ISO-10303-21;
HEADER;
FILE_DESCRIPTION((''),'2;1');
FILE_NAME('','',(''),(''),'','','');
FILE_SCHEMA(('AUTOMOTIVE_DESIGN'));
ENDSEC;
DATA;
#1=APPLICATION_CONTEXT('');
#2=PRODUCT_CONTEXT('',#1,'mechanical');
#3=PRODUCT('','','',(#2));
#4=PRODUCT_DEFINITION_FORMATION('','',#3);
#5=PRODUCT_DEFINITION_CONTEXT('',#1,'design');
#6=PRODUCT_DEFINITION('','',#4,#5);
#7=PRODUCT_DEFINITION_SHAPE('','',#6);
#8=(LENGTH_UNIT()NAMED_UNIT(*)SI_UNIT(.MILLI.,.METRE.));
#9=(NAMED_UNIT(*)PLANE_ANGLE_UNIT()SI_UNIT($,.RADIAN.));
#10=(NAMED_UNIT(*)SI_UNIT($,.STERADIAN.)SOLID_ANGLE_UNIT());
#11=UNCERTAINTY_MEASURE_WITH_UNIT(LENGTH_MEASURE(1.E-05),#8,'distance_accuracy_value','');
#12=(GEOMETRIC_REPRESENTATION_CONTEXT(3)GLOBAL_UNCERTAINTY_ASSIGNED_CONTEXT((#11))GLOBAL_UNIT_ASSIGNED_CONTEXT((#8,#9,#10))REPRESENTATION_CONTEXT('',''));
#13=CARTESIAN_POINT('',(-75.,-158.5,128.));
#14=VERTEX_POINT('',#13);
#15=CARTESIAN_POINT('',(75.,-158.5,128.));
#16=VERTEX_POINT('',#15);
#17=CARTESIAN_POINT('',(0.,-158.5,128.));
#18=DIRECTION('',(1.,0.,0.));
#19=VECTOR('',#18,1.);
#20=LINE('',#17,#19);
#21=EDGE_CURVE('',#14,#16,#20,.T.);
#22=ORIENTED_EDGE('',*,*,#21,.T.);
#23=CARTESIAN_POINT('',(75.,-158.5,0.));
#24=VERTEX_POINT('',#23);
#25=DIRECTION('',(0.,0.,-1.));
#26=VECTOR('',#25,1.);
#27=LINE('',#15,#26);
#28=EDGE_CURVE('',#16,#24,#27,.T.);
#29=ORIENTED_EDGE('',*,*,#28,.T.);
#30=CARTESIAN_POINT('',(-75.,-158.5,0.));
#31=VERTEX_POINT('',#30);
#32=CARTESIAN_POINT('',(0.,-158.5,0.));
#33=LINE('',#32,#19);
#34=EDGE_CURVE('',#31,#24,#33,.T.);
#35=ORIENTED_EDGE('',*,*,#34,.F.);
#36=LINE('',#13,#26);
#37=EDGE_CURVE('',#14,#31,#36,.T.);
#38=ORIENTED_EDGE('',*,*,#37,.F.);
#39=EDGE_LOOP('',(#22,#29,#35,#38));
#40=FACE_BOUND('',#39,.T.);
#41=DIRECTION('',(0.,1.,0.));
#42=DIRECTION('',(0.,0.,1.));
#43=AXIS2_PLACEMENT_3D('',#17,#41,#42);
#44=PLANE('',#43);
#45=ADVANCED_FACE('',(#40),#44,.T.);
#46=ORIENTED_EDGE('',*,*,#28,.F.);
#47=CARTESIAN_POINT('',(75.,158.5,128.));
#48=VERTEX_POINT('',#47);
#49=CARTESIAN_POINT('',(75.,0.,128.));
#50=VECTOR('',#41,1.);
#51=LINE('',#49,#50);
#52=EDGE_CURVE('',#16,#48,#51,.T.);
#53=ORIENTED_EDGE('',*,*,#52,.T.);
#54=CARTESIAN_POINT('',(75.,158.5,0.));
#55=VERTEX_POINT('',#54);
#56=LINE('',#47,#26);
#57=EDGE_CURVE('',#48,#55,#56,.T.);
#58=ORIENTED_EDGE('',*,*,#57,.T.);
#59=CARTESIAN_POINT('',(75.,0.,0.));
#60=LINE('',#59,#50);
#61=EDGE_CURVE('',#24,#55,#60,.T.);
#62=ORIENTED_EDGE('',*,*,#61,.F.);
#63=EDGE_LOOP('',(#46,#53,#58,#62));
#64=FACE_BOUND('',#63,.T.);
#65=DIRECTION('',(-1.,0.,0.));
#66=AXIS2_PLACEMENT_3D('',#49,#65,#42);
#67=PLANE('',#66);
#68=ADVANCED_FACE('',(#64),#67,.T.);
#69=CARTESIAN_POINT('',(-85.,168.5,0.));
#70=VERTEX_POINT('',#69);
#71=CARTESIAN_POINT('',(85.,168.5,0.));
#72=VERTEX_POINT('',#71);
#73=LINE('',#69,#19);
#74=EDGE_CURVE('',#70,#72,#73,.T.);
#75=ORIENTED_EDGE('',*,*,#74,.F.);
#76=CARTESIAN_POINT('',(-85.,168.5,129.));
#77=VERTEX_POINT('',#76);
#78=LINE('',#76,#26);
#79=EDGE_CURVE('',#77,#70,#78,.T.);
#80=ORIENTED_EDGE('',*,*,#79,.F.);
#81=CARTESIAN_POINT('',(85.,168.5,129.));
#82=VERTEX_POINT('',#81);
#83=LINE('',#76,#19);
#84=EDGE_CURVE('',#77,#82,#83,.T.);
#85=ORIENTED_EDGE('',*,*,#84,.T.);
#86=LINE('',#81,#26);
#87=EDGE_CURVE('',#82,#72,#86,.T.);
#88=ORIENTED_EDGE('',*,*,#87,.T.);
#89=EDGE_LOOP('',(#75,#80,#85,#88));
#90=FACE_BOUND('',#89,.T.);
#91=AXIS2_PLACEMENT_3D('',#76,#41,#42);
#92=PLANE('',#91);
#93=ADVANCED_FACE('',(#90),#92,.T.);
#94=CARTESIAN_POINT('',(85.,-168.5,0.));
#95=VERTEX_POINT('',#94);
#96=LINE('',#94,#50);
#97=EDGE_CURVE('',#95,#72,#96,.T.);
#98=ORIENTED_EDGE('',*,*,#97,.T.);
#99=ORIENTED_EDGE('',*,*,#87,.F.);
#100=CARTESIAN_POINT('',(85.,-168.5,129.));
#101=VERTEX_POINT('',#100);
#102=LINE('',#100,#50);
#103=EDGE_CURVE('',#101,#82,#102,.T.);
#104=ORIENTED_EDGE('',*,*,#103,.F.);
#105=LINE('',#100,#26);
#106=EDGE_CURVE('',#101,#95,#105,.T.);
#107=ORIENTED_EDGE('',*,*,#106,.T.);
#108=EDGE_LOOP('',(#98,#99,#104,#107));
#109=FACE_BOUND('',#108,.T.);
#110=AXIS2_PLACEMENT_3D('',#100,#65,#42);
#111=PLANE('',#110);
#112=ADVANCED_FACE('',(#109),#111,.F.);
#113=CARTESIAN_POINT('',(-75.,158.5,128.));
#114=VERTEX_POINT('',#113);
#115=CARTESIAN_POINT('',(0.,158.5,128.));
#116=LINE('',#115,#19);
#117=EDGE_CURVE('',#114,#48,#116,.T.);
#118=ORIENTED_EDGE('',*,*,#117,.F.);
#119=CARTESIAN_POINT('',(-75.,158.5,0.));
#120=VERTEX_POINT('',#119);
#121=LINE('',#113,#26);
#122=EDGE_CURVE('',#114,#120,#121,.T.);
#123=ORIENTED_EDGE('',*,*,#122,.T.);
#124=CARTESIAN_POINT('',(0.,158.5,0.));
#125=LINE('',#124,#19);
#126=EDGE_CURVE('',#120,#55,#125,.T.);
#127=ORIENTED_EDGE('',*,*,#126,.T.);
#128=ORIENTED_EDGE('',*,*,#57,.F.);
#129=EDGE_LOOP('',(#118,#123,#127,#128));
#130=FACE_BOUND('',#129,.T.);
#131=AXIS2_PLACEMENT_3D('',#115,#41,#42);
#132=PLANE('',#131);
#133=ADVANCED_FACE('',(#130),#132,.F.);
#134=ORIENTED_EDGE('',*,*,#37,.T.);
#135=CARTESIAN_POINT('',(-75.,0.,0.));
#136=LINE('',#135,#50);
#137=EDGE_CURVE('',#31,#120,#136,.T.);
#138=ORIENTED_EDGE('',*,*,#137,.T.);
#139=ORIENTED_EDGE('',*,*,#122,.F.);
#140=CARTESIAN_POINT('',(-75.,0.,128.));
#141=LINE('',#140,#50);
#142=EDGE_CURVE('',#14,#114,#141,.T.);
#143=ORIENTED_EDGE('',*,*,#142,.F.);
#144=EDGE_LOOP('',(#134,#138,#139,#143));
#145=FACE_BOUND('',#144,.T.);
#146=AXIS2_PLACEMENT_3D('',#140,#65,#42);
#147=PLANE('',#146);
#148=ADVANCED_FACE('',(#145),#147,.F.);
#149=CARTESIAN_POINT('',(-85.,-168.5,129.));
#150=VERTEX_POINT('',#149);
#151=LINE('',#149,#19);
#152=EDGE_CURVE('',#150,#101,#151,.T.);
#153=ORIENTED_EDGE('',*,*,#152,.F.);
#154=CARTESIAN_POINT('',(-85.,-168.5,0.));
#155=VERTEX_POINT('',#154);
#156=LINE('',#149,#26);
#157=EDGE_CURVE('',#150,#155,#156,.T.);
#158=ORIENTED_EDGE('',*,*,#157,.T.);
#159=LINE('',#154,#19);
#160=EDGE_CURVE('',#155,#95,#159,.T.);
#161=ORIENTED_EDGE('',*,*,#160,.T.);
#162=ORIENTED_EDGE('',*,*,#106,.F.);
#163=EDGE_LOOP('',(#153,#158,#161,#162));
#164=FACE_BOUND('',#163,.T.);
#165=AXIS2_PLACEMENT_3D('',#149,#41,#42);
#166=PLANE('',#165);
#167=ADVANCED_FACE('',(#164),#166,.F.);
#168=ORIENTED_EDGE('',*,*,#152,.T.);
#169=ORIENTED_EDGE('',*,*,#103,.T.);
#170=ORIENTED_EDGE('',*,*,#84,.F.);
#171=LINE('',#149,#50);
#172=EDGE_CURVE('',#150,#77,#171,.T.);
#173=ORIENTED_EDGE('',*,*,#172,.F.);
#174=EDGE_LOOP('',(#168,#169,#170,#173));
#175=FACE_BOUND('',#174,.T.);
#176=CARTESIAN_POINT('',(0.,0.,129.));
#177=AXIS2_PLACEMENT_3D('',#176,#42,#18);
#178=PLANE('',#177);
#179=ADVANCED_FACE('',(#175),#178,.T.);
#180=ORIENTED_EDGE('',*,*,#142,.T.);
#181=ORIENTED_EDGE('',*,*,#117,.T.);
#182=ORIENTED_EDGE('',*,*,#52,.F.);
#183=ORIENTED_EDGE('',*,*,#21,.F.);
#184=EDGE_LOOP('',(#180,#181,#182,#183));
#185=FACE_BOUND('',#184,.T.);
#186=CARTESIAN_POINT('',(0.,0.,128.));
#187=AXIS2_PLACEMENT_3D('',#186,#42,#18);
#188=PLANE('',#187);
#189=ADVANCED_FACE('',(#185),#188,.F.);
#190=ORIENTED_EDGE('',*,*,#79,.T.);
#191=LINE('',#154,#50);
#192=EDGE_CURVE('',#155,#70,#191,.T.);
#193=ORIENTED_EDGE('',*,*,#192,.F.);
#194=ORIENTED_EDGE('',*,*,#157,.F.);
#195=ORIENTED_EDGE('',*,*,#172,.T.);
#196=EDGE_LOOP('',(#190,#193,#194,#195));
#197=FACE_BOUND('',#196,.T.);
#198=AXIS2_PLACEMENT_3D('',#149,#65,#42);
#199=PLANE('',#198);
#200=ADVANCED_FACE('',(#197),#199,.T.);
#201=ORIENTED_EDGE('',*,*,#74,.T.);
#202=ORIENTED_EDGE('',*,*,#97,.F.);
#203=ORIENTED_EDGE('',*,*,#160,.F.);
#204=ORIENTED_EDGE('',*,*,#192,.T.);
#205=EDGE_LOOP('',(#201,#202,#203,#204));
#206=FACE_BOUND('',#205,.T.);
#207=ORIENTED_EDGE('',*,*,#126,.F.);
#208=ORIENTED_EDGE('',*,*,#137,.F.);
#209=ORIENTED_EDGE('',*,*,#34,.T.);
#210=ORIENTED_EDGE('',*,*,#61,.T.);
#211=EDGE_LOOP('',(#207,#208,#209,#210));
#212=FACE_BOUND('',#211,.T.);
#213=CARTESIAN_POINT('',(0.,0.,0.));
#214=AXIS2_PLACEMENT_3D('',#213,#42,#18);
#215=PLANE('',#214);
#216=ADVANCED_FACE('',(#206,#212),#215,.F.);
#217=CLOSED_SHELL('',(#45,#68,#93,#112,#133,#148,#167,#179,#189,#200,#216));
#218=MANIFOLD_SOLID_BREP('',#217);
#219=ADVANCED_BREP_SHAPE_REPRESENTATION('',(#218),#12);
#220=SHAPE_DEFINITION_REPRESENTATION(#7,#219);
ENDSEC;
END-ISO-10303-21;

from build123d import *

# Parameters (mm, degrees)
ESBO_O1_W                = 170
ESBO_O1_H                = 337
RESSALTO_EXTRUS_O1_DEPTH = 129
ESBO_O1_5_W              = 150
ESBO_O1_5_H              = 317
CORTE_EXTRUS_O2_DEPTH    = 128


with BuildPart() as part:
    # Esboço1 → Ressalto-extrusão1 (new body)
    with BuildSketch(Plane.XY):
        Rectangle(ESBO_O1_W, ESBO_O1_H)
    extrude(amount=RESSALTO_EXTRUS_O1_DEPTH)

    # Esboço1<5> → Corte-extrusão2 (cut)
    with BuildSketch(Plane.XY):
        Rectangle(ESBO_O1_5_W, ESBO_O1_5_H)
    extrude(amount=CORTE_EXTRUS_O2_DEPTH, mode=Mode.SUBTRACT)


solid = part.part
